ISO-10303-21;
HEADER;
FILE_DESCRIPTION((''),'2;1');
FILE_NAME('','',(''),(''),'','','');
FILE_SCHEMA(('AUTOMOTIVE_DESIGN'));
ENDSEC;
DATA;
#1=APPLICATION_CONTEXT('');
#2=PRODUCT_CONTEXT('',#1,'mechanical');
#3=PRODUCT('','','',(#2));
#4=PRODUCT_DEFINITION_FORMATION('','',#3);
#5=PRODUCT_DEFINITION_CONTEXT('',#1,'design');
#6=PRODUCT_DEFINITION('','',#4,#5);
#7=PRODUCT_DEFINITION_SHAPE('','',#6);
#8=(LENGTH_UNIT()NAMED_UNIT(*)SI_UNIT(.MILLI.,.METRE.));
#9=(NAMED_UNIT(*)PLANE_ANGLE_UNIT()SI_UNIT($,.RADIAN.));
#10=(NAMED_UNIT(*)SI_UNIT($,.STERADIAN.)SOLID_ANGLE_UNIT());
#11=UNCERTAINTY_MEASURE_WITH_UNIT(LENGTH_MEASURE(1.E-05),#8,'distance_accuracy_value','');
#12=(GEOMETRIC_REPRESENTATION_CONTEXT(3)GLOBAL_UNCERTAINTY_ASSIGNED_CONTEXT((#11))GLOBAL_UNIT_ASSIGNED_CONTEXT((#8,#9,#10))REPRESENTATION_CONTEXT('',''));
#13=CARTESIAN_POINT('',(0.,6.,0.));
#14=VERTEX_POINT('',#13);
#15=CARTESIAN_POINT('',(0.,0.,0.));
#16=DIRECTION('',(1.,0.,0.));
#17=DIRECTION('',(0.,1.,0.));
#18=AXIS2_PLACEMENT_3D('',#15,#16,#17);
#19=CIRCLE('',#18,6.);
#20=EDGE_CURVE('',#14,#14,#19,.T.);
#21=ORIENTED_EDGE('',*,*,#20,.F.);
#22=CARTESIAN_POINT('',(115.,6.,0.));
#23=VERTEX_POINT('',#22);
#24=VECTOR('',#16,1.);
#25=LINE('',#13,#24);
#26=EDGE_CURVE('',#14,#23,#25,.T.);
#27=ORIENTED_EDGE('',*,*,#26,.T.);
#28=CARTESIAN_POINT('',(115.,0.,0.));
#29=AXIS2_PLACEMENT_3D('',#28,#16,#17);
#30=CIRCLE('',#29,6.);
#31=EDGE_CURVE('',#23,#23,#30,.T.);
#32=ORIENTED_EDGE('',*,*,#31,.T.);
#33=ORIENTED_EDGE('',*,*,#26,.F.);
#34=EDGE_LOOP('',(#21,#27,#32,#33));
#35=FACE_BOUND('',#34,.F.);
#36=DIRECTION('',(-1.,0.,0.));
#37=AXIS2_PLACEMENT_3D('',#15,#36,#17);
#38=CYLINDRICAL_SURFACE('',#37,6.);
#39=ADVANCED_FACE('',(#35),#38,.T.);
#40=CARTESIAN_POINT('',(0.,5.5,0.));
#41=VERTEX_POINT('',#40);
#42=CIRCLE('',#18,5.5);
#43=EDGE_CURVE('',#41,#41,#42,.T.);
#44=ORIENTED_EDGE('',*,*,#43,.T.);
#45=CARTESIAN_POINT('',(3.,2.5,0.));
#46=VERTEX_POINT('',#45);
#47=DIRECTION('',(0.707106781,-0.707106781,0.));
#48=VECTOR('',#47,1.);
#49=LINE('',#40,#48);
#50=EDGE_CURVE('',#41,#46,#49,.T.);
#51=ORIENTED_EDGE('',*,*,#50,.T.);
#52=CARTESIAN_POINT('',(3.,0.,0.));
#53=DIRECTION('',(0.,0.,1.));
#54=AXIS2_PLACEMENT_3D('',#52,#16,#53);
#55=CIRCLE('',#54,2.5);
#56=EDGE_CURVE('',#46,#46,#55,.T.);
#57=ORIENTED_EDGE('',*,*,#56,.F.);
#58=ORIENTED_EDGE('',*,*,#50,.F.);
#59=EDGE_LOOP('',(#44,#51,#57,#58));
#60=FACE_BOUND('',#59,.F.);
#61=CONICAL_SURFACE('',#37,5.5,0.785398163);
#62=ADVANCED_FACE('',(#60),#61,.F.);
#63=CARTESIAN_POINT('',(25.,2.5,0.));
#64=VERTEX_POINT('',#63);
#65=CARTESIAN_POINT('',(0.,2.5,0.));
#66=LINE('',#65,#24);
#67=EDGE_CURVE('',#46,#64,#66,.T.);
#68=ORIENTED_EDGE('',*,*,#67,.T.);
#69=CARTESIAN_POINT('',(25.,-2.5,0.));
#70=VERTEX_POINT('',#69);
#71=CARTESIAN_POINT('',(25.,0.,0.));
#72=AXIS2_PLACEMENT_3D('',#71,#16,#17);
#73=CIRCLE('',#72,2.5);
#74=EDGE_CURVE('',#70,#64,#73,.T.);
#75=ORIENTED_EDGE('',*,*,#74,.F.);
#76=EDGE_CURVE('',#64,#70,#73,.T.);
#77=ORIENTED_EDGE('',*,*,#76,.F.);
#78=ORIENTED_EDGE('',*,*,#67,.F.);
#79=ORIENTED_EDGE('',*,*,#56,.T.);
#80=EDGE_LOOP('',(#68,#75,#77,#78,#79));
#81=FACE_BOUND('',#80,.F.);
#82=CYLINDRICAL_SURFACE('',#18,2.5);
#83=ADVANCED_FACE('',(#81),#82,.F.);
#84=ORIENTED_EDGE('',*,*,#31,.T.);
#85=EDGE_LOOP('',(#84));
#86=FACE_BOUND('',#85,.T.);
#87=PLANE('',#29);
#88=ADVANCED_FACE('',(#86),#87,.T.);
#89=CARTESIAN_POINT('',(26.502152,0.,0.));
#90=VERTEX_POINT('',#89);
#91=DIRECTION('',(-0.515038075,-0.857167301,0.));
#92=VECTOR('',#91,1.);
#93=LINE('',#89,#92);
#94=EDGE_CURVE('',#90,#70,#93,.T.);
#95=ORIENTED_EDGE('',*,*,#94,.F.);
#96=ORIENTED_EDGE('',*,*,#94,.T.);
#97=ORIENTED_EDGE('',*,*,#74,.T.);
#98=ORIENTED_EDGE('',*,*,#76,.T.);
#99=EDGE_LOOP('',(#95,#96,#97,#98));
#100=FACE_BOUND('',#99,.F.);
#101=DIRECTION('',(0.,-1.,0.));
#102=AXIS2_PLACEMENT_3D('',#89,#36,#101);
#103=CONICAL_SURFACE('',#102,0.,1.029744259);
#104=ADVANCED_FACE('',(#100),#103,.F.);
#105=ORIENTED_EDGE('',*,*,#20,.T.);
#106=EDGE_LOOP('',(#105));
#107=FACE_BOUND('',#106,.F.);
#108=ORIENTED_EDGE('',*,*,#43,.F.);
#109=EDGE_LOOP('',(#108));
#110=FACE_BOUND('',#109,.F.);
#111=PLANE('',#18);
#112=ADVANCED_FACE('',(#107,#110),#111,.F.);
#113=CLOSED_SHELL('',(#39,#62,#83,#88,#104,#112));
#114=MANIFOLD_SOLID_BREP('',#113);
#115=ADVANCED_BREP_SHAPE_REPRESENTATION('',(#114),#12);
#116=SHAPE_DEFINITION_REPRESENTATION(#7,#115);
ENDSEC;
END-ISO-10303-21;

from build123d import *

# Parameters (mm, degrees)
F0_R           = 6
F1_DEPTH       = 115
F3_D           = 5
F3_DEPTH       = 25
F3_CSINK_D     = 11
F3_CSINK_ANGLE = 90
F3_TIP         = 1.5021515476


with BuildPart() as f1:
    # F0 (on Right) → F1 (new body)
    with BuildSketch(Plane.YZ):
        Circle(F0_R)
    extrude(amount=F1_DEPTH)

    # F3
    with Locations(Plane(origin=(0, 0, 0), x_dir=(0, -1, 0), z_dir=(-1, 0, 0))):
        with Locations((0, 0)):
            CounterSinkHole(F3_D / 2, F3_CSINK_D / 2, depth=F3_DEPTH, counter_sink_angle=F3_CSINK_ANGLE)
            with Locations((0, 0, -(F3_DEPTH + F3_TIP / 2))):  # 118° drill point
                Cone(0, F3_D / 2, F3_TIP, mode=Mode.SUBTRACT)


solid = f1.part
